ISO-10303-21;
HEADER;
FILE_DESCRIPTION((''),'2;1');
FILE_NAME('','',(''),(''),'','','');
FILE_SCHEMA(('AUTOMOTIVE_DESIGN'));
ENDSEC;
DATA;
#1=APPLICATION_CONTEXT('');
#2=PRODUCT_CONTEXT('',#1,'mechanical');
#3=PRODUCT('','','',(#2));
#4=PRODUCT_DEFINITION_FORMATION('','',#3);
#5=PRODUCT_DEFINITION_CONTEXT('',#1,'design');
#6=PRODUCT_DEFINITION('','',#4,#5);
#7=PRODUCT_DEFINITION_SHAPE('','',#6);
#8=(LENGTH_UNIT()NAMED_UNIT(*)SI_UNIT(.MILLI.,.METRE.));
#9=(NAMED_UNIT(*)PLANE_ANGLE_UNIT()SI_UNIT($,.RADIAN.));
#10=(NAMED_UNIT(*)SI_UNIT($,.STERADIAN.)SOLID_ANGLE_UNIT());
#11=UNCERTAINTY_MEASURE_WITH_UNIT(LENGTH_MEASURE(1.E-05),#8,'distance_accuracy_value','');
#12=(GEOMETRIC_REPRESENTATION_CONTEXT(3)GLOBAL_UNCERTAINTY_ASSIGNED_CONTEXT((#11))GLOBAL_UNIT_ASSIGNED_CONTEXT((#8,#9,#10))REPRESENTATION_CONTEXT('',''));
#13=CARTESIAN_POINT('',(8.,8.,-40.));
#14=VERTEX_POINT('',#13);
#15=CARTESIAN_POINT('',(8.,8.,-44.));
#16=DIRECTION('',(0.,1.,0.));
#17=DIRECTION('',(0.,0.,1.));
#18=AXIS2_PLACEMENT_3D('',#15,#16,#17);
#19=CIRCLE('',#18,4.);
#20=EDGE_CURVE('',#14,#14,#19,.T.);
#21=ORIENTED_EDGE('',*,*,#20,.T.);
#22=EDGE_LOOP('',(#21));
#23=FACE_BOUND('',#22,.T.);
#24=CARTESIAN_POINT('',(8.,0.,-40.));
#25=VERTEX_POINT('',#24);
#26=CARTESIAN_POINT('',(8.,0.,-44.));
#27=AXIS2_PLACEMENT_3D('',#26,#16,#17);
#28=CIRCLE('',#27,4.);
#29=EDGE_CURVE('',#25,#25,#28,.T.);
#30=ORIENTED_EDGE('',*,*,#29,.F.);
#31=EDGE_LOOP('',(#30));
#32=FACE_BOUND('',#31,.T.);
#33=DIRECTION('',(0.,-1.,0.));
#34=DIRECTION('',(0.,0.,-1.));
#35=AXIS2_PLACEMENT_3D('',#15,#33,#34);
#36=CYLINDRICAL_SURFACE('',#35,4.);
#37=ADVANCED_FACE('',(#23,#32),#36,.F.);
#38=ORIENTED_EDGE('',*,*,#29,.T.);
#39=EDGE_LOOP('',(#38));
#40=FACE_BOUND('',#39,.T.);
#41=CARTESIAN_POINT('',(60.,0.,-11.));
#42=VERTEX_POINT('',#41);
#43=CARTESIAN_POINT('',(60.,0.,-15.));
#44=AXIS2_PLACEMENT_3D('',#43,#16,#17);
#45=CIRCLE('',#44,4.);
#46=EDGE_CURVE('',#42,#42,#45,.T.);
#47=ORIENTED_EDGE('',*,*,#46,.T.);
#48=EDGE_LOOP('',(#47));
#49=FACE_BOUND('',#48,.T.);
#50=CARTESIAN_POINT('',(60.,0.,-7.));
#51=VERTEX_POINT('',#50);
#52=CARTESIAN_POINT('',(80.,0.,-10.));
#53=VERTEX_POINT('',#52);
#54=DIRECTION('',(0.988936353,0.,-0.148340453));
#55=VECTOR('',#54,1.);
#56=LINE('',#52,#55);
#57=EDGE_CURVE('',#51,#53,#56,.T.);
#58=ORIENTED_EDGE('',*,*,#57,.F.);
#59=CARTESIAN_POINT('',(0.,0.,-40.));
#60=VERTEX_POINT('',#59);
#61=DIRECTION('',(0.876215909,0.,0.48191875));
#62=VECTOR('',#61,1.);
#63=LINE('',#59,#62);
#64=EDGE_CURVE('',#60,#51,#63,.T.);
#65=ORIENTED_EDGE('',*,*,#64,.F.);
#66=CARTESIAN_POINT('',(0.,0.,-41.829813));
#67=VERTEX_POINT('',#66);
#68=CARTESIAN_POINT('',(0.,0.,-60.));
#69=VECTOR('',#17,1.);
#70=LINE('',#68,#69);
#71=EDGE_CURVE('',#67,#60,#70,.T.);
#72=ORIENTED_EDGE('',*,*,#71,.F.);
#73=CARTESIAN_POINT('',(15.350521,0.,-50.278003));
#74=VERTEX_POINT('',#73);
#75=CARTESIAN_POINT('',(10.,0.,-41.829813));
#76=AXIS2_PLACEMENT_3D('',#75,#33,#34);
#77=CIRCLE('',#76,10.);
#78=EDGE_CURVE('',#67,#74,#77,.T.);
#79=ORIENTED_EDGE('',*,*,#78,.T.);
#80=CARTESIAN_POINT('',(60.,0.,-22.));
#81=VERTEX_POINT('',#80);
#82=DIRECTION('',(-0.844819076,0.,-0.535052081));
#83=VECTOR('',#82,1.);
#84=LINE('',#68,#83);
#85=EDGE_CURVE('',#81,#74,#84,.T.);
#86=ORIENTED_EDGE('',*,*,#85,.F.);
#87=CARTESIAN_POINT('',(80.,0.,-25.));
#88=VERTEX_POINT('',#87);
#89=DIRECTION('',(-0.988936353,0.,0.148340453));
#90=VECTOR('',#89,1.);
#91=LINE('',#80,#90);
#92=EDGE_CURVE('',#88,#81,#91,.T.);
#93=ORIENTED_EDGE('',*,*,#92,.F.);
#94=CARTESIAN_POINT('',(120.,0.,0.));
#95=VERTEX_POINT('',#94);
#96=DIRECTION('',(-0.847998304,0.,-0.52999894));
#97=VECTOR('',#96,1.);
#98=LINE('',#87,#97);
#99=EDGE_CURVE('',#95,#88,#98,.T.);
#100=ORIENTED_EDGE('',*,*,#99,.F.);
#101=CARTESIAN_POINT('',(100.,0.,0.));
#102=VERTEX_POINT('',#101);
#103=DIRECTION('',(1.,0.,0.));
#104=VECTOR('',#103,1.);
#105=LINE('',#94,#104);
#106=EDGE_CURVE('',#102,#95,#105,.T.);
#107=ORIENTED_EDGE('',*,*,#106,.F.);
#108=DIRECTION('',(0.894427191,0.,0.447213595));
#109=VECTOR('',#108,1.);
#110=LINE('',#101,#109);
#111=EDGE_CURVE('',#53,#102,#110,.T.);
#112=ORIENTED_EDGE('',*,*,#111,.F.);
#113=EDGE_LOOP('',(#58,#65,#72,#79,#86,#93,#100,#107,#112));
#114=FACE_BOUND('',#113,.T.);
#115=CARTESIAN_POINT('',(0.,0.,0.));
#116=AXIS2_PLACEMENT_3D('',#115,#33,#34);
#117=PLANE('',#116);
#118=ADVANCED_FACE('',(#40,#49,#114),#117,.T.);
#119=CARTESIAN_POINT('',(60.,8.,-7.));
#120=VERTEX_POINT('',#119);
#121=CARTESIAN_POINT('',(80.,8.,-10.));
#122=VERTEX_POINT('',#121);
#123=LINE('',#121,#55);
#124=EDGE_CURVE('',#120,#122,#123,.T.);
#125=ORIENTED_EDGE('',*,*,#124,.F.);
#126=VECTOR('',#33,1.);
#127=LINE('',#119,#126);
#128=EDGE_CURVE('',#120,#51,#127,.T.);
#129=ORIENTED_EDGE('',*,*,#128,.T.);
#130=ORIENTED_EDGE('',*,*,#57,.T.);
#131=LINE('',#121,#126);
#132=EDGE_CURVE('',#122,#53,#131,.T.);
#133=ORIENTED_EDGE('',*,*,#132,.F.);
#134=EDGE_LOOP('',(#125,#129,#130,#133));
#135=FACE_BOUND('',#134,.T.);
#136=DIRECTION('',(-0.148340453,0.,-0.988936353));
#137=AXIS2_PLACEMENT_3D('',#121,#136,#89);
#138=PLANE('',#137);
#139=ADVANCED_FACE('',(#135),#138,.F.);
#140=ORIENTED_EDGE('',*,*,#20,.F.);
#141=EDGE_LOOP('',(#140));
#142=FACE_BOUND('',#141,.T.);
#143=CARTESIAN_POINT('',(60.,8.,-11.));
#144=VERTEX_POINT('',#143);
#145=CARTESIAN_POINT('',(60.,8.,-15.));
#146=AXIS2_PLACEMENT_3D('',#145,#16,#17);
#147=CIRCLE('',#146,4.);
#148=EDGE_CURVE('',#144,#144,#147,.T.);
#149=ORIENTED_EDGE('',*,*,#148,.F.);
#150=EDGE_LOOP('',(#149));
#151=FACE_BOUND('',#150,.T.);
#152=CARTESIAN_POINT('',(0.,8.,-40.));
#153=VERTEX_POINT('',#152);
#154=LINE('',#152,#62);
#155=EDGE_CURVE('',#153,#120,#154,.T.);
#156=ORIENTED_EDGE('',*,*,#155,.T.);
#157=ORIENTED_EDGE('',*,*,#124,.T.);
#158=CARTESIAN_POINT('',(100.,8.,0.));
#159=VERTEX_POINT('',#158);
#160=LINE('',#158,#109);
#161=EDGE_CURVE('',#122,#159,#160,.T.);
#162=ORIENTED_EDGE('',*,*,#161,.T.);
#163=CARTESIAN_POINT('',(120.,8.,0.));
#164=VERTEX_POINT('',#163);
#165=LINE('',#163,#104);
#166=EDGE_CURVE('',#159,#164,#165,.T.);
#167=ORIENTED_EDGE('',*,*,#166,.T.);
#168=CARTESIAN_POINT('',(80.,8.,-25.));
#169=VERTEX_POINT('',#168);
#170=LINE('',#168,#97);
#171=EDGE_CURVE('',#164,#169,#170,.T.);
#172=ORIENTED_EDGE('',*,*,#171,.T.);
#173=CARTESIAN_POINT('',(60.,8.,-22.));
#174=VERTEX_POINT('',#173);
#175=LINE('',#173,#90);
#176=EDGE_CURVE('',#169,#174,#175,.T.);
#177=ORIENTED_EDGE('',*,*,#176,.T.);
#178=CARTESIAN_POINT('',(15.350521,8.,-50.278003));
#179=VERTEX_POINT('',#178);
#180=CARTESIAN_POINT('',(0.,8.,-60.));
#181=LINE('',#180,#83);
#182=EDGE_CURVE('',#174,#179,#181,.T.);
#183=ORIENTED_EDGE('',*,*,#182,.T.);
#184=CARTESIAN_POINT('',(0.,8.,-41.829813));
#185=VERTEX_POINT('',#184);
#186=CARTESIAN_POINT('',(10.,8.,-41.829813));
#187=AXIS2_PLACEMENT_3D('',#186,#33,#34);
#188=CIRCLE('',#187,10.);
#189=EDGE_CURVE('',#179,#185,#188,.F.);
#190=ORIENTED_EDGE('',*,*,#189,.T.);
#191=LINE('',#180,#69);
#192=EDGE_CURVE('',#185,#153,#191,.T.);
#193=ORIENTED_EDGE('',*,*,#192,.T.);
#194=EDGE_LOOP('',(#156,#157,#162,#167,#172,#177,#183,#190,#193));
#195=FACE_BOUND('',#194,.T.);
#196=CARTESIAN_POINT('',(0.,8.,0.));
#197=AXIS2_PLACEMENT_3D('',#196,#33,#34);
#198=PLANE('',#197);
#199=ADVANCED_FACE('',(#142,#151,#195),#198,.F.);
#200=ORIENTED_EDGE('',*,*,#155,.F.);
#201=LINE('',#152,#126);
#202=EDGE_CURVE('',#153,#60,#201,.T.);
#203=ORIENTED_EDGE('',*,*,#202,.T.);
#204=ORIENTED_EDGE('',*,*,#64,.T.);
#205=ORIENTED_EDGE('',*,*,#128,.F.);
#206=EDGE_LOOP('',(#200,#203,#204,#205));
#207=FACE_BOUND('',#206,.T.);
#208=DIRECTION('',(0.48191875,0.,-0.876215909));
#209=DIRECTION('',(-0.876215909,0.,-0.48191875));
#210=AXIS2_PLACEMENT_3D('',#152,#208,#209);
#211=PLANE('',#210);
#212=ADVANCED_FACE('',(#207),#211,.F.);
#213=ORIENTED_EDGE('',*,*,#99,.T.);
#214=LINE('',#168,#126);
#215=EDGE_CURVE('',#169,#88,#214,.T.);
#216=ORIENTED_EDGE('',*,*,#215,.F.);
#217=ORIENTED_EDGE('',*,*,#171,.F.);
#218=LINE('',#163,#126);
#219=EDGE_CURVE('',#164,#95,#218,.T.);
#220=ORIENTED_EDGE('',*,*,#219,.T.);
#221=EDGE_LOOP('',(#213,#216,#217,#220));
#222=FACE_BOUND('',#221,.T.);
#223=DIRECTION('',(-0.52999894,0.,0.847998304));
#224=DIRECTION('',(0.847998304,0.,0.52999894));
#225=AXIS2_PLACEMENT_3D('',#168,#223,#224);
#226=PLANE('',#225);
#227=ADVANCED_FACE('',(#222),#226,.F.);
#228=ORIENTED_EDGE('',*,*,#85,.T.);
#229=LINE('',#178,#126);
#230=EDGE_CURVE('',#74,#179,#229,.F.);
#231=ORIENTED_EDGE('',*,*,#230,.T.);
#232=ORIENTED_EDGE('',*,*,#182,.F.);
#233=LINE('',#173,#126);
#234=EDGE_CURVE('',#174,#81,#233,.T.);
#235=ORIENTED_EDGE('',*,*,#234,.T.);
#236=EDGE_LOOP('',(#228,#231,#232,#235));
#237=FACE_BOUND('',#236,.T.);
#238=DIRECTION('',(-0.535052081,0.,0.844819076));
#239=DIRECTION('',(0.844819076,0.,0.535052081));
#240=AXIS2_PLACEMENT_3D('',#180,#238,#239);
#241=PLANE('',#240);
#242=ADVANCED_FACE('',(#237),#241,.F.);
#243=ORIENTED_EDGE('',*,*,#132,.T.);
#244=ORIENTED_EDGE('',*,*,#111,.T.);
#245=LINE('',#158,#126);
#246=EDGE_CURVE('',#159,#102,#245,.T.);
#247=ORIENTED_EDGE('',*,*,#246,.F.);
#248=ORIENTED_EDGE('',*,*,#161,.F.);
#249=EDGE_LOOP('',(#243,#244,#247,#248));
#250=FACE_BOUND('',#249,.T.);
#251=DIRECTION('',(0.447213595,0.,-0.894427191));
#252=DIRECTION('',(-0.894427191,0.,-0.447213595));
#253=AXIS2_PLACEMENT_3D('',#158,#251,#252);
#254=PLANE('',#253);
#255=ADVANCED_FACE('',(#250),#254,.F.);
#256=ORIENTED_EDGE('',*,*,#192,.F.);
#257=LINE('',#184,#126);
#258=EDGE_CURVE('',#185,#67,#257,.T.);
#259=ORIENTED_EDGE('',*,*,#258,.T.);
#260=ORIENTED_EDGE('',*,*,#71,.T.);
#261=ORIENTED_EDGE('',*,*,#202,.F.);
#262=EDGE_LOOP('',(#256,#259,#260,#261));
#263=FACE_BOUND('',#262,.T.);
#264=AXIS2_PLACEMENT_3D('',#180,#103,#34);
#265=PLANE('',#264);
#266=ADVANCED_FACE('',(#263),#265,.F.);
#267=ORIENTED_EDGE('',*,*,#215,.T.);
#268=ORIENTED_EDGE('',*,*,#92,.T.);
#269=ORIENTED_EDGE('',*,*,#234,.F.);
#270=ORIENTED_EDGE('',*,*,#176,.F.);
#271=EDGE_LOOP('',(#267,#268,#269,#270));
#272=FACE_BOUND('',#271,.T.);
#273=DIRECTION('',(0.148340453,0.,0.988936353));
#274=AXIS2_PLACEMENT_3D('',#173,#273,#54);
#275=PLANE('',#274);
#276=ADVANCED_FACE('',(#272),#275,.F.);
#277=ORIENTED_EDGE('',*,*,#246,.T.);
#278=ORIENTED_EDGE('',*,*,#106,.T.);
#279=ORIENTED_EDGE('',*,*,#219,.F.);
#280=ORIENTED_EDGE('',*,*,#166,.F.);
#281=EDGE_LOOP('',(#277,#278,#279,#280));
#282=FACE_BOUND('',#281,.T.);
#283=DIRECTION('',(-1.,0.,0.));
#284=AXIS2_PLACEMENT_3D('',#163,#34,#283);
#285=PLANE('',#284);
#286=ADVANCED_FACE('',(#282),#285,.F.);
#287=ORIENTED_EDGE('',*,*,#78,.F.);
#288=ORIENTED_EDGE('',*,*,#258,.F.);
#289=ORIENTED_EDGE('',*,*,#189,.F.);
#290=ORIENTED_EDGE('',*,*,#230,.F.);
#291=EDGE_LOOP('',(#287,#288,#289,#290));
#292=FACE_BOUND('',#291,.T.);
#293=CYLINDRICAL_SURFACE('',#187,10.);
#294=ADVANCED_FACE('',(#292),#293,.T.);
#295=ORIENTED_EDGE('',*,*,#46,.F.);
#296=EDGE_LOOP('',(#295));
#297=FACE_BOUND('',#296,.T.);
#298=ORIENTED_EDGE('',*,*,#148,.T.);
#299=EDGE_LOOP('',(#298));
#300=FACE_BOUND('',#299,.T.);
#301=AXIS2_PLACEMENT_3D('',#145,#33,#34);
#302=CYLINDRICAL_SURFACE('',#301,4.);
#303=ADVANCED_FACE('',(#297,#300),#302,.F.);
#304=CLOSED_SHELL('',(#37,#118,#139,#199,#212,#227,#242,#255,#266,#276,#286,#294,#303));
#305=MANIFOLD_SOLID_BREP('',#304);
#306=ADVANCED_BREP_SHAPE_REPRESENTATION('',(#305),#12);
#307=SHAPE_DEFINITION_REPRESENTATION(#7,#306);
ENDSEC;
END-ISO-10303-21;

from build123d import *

# Parameters (mm, degrees)
SKETCH1_R           = 4
BOSS_EXTRUDE1_DEPTH = 8
FILLET1_R           = 10


with BuildPart() as part:
    # Sketch1 → Boss-Extrude1 (new body)
    with BuildSketch(Plane(origin=(0, 0, 0), x_dir=(1, 0, 0), z_dir=(0, 1, 0))):
        Polygon((120, 0), (100, 0), (80, 10), (60, 7), (0, 40), (0, 60), (60, 22), (80, 25), align=None)
        with Locations(Location((60, 15, 0), (0, 0, 270))):
            Circle(SKETCH1_R, mode=Mode.SUBTRACT)
        with Locations(Location((8, 44, 0), (0, 0, 270))):
            Circle(SKETCH1_R, mode=Mode.SUBTRACT)
    extrude(amount=BOSS_EXTRUDE1_DEPTH)

    # Fillet1
    fillet1_edges = [part.edges().sort_by_distance(p)[0] for p in [
        (0, 4, -60),
    ]]
    fillet(fillet1_edges, radius=FILLET1_R)


solid = part.part
